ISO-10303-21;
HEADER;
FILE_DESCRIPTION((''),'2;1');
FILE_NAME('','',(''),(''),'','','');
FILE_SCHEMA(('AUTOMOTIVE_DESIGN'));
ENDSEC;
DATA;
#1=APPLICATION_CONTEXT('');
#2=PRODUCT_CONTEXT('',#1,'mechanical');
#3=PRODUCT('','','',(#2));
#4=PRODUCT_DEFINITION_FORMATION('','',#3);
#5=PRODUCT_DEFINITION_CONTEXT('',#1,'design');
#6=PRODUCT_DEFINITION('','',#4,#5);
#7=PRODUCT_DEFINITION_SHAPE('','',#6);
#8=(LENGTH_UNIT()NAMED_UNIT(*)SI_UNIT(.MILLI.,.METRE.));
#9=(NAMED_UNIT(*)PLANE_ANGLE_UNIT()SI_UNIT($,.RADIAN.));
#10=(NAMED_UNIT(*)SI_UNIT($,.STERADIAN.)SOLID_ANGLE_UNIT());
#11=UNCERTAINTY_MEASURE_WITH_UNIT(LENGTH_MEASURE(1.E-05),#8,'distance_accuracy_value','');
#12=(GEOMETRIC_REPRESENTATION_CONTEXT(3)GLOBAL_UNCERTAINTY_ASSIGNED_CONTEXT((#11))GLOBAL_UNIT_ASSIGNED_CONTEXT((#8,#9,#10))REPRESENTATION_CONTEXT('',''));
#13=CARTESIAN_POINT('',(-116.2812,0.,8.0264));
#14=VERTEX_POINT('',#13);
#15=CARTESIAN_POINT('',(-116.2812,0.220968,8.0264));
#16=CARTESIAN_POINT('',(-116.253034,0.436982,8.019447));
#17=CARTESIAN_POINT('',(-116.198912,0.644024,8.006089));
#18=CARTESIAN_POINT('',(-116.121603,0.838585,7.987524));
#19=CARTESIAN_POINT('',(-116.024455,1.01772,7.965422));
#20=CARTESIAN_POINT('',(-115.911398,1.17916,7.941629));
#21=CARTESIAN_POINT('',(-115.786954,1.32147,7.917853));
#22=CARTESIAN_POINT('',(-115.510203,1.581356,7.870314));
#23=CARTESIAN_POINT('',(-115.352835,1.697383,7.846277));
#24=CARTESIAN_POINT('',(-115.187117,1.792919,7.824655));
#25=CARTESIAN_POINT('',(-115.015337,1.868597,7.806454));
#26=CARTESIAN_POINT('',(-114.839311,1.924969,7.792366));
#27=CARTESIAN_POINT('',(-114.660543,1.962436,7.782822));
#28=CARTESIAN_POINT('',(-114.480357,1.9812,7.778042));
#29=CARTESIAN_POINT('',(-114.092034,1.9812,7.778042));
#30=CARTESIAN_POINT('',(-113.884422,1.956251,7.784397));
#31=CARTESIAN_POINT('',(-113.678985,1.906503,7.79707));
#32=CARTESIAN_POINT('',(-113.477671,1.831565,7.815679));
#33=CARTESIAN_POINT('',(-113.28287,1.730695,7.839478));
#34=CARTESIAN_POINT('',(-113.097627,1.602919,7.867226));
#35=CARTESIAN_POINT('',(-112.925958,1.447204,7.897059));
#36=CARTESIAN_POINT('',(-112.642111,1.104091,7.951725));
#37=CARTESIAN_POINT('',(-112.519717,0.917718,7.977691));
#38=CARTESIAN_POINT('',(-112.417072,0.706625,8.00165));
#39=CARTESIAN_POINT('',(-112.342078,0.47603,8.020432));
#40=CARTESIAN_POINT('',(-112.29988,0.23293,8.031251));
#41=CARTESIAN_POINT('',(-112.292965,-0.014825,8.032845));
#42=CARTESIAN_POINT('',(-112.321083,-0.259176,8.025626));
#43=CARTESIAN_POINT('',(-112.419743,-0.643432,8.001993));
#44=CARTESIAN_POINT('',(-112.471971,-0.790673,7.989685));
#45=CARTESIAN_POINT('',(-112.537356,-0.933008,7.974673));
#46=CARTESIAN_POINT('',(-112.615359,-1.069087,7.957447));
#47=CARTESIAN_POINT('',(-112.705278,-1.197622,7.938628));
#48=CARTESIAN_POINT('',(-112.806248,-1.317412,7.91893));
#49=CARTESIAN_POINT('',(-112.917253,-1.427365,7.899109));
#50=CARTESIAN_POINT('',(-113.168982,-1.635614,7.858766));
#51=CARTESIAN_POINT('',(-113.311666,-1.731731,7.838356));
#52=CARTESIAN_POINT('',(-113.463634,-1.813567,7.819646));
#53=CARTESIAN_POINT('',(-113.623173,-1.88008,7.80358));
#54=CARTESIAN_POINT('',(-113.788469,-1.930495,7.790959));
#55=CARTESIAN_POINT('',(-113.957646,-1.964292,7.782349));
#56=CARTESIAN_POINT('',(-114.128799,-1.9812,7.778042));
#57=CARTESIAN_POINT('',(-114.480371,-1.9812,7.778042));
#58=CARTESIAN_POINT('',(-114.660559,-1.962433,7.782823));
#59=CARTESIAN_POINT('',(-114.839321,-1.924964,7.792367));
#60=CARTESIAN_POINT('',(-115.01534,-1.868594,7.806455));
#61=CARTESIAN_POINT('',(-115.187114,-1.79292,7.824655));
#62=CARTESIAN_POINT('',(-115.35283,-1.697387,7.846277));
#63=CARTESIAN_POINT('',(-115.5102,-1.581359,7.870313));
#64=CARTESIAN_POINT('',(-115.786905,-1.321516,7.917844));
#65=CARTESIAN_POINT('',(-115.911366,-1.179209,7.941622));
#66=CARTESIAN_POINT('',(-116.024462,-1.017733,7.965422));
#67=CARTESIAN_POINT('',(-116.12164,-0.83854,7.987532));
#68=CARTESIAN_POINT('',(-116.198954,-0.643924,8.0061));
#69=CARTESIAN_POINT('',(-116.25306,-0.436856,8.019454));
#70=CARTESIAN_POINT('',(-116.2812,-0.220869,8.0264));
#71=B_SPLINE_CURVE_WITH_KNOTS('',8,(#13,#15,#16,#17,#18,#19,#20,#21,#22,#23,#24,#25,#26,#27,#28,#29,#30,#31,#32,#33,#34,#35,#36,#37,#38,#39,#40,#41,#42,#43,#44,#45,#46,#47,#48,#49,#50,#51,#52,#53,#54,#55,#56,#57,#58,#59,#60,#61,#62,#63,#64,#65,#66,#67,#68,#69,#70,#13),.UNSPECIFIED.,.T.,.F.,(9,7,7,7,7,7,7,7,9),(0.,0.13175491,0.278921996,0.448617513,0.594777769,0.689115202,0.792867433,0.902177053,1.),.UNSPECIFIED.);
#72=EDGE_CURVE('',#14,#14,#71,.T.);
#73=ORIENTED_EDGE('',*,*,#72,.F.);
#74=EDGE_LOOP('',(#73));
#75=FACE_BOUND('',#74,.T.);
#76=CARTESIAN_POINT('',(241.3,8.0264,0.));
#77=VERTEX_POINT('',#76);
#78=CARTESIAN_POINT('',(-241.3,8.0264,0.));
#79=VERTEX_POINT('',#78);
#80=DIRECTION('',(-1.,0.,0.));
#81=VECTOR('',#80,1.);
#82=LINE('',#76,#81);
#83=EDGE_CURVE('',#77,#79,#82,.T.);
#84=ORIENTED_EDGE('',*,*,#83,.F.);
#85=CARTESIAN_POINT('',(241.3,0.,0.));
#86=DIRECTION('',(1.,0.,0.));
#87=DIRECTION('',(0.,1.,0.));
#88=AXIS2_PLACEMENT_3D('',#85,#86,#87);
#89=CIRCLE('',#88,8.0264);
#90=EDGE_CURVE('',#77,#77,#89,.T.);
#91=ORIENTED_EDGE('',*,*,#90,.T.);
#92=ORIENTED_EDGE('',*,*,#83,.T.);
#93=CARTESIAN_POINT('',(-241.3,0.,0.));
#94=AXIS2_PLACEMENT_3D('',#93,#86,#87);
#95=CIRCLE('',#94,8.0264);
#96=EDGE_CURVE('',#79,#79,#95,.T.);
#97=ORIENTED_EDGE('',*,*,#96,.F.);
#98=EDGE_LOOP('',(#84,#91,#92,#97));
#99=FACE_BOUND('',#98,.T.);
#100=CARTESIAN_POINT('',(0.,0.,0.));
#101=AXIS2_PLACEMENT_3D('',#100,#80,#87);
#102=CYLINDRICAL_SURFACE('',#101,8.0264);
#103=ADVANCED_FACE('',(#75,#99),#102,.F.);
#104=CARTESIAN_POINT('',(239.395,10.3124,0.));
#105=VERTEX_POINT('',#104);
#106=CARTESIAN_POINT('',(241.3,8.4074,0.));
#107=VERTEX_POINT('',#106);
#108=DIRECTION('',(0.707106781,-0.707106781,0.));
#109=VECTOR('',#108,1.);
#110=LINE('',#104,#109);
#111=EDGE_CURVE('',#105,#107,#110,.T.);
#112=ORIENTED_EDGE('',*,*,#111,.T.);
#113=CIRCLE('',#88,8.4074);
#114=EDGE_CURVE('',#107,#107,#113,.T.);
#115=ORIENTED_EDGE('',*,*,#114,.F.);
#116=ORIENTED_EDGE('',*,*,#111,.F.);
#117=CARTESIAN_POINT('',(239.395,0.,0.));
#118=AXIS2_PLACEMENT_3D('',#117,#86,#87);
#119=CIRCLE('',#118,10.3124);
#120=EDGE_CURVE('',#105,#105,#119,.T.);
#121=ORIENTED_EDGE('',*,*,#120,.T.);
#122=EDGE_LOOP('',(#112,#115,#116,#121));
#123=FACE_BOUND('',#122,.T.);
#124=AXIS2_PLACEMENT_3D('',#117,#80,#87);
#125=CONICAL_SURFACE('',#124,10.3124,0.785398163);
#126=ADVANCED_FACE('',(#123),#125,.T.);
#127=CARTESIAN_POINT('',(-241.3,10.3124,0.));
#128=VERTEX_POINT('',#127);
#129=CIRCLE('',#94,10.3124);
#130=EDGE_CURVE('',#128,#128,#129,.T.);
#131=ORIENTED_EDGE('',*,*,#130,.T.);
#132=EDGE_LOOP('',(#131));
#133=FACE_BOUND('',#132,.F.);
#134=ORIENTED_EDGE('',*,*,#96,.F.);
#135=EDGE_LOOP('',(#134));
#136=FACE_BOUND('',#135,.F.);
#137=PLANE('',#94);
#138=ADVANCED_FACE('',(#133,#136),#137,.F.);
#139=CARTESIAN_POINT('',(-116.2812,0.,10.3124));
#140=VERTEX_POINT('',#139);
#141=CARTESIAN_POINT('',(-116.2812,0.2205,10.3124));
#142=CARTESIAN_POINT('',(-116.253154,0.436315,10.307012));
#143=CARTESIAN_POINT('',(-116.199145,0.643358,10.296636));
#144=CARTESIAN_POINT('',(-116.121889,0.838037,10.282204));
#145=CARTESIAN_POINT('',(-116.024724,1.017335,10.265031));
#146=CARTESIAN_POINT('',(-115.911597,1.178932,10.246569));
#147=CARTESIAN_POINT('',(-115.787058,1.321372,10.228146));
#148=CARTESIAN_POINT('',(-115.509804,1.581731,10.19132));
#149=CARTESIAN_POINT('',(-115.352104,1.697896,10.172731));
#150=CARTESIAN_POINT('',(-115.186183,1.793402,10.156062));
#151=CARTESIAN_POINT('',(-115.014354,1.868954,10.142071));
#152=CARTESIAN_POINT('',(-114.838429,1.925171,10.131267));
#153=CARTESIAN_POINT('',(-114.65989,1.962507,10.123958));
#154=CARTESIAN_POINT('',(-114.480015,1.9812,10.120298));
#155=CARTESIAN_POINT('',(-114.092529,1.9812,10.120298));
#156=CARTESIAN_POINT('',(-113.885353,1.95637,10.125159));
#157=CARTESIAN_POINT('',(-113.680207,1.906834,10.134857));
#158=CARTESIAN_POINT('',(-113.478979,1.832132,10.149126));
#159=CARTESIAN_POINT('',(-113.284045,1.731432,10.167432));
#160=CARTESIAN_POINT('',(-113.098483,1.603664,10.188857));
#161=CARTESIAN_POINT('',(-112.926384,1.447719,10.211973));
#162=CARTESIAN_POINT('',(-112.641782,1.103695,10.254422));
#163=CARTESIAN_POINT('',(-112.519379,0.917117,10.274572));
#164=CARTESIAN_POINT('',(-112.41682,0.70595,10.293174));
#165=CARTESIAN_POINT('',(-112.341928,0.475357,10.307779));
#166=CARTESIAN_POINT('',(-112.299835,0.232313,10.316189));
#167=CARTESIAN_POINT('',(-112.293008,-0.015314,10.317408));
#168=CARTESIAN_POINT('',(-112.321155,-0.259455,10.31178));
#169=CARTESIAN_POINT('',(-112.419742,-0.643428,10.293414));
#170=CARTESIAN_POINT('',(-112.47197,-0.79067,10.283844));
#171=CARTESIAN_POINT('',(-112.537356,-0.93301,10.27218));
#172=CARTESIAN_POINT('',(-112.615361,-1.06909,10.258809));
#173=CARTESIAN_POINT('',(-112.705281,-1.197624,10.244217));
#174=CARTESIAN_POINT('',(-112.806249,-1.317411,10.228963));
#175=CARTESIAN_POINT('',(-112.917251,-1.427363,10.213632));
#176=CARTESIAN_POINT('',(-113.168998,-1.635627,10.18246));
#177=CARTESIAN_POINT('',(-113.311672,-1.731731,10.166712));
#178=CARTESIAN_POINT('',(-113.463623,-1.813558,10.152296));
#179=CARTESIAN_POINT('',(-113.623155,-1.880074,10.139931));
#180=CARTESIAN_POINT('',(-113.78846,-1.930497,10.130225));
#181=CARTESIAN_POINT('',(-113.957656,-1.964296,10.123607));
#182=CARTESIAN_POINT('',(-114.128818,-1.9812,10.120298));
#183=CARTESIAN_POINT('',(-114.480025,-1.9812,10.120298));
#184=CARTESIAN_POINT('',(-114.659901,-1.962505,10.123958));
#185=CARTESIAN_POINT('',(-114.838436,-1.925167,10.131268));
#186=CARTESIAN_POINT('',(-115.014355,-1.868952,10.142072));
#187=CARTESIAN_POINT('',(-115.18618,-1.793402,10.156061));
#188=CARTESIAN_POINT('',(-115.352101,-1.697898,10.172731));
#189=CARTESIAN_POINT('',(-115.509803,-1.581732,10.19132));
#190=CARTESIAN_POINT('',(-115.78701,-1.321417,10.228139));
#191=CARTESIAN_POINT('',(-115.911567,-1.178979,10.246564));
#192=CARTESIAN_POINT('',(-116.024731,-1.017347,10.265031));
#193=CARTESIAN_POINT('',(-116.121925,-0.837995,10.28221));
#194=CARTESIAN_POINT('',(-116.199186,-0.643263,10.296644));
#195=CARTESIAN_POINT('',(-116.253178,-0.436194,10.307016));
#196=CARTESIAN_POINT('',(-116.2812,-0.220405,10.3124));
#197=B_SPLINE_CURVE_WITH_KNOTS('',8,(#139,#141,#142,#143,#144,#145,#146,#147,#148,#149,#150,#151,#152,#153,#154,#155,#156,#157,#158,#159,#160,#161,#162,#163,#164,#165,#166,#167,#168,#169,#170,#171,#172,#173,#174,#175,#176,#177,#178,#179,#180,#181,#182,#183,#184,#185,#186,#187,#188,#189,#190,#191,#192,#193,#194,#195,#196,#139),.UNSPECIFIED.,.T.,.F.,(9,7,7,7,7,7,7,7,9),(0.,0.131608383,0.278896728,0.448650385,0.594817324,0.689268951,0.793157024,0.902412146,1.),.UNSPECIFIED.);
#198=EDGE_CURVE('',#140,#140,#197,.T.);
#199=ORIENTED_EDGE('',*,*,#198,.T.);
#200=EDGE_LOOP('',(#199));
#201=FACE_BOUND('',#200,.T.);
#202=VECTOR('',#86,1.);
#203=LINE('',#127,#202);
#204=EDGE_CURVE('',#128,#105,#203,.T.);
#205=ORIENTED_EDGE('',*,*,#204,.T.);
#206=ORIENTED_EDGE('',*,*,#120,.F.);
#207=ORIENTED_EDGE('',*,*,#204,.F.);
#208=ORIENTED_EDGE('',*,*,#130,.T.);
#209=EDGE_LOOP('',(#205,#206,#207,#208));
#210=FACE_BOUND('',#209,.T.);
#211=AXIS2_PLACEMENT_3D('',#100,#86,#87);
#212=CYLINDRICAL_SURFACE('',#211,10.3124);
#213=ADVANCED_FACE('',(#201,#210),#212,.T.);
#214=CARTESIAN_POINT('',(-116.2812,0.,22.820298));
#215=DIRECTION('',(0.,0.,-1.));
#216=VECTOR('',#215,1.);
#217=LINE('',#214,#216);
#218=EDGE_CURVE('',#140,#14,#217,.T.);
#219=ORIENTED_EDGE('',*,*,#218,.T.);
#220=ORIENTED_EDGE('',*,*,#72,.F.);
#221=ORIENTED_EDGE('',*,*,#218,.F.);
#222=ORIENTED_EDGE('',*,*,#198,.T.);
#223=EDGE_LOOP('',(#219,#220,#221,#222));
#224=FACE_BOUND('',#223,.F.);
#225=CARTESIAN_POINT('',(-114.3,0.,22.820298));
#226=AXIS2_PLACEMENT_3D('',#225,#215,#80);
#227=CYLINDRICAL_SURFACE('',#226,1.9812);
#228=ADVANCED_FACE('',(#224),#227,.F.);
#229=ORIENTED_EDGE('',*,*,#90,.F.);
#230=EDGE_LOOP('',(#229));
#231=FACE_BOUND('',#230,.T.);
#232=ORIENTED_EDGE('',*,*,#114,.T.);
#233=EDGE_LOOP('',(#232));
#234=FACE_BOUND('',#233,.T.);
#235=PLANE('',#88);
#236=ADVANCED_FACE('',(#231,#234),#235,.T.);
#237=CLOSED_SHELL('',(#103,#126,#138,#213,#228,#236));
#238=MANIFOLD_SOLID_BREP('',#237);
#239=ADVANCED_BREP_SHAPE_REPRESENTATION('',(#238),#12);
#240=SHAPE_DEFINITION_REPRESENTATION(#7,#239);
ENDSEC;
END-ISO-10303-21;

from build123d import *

# Parameters (mm, degrees)
F1_R     = 10.3124
F1_R_2   = 8.0264
F2_DEPTH = 241.3
F4_D     = 3.9624
F4_DEPTH = 12.7
F4_START = 0.1921017
F4_TIP   = 1.1904250584
F5_SIZE  = 1.905


with BuildPart() as f2:
    # F1 (on Right) → F2 (new body, symmetric)
    with BuildSketch(Plane.YZ):
        Circle(F1_R)
        Circle(F1_R_2, mode=Mode.SUBTRACT)
    extrude(amount=F2_DEPTH, both=True)

    # F4
    # its depths count from where the whole tool has entered the part; down to there all is cleared
    with Locations(Plane.XY.offset(10.3124).offset(-F4_START)):
        with Locations((-114.3, 0)):
            Hole(F4_D / 2, depth=F4_DEPTH)
            with Locations((0, 0, -(F4_DEPTH + F4_TIP / 2))):  # 118° drill point
                Cone(0, F4_D / 2, F4_TIP, mode=Mode.SUBTRACT)

    # F5
    f5_edges = [f2.edges().sort_by_distance(p)[0] for p in [
        (241.3, -10.3124, 0),
    ]]
    chamfer(f5_edges, length=F5_SIZE)


solid = f2.part
